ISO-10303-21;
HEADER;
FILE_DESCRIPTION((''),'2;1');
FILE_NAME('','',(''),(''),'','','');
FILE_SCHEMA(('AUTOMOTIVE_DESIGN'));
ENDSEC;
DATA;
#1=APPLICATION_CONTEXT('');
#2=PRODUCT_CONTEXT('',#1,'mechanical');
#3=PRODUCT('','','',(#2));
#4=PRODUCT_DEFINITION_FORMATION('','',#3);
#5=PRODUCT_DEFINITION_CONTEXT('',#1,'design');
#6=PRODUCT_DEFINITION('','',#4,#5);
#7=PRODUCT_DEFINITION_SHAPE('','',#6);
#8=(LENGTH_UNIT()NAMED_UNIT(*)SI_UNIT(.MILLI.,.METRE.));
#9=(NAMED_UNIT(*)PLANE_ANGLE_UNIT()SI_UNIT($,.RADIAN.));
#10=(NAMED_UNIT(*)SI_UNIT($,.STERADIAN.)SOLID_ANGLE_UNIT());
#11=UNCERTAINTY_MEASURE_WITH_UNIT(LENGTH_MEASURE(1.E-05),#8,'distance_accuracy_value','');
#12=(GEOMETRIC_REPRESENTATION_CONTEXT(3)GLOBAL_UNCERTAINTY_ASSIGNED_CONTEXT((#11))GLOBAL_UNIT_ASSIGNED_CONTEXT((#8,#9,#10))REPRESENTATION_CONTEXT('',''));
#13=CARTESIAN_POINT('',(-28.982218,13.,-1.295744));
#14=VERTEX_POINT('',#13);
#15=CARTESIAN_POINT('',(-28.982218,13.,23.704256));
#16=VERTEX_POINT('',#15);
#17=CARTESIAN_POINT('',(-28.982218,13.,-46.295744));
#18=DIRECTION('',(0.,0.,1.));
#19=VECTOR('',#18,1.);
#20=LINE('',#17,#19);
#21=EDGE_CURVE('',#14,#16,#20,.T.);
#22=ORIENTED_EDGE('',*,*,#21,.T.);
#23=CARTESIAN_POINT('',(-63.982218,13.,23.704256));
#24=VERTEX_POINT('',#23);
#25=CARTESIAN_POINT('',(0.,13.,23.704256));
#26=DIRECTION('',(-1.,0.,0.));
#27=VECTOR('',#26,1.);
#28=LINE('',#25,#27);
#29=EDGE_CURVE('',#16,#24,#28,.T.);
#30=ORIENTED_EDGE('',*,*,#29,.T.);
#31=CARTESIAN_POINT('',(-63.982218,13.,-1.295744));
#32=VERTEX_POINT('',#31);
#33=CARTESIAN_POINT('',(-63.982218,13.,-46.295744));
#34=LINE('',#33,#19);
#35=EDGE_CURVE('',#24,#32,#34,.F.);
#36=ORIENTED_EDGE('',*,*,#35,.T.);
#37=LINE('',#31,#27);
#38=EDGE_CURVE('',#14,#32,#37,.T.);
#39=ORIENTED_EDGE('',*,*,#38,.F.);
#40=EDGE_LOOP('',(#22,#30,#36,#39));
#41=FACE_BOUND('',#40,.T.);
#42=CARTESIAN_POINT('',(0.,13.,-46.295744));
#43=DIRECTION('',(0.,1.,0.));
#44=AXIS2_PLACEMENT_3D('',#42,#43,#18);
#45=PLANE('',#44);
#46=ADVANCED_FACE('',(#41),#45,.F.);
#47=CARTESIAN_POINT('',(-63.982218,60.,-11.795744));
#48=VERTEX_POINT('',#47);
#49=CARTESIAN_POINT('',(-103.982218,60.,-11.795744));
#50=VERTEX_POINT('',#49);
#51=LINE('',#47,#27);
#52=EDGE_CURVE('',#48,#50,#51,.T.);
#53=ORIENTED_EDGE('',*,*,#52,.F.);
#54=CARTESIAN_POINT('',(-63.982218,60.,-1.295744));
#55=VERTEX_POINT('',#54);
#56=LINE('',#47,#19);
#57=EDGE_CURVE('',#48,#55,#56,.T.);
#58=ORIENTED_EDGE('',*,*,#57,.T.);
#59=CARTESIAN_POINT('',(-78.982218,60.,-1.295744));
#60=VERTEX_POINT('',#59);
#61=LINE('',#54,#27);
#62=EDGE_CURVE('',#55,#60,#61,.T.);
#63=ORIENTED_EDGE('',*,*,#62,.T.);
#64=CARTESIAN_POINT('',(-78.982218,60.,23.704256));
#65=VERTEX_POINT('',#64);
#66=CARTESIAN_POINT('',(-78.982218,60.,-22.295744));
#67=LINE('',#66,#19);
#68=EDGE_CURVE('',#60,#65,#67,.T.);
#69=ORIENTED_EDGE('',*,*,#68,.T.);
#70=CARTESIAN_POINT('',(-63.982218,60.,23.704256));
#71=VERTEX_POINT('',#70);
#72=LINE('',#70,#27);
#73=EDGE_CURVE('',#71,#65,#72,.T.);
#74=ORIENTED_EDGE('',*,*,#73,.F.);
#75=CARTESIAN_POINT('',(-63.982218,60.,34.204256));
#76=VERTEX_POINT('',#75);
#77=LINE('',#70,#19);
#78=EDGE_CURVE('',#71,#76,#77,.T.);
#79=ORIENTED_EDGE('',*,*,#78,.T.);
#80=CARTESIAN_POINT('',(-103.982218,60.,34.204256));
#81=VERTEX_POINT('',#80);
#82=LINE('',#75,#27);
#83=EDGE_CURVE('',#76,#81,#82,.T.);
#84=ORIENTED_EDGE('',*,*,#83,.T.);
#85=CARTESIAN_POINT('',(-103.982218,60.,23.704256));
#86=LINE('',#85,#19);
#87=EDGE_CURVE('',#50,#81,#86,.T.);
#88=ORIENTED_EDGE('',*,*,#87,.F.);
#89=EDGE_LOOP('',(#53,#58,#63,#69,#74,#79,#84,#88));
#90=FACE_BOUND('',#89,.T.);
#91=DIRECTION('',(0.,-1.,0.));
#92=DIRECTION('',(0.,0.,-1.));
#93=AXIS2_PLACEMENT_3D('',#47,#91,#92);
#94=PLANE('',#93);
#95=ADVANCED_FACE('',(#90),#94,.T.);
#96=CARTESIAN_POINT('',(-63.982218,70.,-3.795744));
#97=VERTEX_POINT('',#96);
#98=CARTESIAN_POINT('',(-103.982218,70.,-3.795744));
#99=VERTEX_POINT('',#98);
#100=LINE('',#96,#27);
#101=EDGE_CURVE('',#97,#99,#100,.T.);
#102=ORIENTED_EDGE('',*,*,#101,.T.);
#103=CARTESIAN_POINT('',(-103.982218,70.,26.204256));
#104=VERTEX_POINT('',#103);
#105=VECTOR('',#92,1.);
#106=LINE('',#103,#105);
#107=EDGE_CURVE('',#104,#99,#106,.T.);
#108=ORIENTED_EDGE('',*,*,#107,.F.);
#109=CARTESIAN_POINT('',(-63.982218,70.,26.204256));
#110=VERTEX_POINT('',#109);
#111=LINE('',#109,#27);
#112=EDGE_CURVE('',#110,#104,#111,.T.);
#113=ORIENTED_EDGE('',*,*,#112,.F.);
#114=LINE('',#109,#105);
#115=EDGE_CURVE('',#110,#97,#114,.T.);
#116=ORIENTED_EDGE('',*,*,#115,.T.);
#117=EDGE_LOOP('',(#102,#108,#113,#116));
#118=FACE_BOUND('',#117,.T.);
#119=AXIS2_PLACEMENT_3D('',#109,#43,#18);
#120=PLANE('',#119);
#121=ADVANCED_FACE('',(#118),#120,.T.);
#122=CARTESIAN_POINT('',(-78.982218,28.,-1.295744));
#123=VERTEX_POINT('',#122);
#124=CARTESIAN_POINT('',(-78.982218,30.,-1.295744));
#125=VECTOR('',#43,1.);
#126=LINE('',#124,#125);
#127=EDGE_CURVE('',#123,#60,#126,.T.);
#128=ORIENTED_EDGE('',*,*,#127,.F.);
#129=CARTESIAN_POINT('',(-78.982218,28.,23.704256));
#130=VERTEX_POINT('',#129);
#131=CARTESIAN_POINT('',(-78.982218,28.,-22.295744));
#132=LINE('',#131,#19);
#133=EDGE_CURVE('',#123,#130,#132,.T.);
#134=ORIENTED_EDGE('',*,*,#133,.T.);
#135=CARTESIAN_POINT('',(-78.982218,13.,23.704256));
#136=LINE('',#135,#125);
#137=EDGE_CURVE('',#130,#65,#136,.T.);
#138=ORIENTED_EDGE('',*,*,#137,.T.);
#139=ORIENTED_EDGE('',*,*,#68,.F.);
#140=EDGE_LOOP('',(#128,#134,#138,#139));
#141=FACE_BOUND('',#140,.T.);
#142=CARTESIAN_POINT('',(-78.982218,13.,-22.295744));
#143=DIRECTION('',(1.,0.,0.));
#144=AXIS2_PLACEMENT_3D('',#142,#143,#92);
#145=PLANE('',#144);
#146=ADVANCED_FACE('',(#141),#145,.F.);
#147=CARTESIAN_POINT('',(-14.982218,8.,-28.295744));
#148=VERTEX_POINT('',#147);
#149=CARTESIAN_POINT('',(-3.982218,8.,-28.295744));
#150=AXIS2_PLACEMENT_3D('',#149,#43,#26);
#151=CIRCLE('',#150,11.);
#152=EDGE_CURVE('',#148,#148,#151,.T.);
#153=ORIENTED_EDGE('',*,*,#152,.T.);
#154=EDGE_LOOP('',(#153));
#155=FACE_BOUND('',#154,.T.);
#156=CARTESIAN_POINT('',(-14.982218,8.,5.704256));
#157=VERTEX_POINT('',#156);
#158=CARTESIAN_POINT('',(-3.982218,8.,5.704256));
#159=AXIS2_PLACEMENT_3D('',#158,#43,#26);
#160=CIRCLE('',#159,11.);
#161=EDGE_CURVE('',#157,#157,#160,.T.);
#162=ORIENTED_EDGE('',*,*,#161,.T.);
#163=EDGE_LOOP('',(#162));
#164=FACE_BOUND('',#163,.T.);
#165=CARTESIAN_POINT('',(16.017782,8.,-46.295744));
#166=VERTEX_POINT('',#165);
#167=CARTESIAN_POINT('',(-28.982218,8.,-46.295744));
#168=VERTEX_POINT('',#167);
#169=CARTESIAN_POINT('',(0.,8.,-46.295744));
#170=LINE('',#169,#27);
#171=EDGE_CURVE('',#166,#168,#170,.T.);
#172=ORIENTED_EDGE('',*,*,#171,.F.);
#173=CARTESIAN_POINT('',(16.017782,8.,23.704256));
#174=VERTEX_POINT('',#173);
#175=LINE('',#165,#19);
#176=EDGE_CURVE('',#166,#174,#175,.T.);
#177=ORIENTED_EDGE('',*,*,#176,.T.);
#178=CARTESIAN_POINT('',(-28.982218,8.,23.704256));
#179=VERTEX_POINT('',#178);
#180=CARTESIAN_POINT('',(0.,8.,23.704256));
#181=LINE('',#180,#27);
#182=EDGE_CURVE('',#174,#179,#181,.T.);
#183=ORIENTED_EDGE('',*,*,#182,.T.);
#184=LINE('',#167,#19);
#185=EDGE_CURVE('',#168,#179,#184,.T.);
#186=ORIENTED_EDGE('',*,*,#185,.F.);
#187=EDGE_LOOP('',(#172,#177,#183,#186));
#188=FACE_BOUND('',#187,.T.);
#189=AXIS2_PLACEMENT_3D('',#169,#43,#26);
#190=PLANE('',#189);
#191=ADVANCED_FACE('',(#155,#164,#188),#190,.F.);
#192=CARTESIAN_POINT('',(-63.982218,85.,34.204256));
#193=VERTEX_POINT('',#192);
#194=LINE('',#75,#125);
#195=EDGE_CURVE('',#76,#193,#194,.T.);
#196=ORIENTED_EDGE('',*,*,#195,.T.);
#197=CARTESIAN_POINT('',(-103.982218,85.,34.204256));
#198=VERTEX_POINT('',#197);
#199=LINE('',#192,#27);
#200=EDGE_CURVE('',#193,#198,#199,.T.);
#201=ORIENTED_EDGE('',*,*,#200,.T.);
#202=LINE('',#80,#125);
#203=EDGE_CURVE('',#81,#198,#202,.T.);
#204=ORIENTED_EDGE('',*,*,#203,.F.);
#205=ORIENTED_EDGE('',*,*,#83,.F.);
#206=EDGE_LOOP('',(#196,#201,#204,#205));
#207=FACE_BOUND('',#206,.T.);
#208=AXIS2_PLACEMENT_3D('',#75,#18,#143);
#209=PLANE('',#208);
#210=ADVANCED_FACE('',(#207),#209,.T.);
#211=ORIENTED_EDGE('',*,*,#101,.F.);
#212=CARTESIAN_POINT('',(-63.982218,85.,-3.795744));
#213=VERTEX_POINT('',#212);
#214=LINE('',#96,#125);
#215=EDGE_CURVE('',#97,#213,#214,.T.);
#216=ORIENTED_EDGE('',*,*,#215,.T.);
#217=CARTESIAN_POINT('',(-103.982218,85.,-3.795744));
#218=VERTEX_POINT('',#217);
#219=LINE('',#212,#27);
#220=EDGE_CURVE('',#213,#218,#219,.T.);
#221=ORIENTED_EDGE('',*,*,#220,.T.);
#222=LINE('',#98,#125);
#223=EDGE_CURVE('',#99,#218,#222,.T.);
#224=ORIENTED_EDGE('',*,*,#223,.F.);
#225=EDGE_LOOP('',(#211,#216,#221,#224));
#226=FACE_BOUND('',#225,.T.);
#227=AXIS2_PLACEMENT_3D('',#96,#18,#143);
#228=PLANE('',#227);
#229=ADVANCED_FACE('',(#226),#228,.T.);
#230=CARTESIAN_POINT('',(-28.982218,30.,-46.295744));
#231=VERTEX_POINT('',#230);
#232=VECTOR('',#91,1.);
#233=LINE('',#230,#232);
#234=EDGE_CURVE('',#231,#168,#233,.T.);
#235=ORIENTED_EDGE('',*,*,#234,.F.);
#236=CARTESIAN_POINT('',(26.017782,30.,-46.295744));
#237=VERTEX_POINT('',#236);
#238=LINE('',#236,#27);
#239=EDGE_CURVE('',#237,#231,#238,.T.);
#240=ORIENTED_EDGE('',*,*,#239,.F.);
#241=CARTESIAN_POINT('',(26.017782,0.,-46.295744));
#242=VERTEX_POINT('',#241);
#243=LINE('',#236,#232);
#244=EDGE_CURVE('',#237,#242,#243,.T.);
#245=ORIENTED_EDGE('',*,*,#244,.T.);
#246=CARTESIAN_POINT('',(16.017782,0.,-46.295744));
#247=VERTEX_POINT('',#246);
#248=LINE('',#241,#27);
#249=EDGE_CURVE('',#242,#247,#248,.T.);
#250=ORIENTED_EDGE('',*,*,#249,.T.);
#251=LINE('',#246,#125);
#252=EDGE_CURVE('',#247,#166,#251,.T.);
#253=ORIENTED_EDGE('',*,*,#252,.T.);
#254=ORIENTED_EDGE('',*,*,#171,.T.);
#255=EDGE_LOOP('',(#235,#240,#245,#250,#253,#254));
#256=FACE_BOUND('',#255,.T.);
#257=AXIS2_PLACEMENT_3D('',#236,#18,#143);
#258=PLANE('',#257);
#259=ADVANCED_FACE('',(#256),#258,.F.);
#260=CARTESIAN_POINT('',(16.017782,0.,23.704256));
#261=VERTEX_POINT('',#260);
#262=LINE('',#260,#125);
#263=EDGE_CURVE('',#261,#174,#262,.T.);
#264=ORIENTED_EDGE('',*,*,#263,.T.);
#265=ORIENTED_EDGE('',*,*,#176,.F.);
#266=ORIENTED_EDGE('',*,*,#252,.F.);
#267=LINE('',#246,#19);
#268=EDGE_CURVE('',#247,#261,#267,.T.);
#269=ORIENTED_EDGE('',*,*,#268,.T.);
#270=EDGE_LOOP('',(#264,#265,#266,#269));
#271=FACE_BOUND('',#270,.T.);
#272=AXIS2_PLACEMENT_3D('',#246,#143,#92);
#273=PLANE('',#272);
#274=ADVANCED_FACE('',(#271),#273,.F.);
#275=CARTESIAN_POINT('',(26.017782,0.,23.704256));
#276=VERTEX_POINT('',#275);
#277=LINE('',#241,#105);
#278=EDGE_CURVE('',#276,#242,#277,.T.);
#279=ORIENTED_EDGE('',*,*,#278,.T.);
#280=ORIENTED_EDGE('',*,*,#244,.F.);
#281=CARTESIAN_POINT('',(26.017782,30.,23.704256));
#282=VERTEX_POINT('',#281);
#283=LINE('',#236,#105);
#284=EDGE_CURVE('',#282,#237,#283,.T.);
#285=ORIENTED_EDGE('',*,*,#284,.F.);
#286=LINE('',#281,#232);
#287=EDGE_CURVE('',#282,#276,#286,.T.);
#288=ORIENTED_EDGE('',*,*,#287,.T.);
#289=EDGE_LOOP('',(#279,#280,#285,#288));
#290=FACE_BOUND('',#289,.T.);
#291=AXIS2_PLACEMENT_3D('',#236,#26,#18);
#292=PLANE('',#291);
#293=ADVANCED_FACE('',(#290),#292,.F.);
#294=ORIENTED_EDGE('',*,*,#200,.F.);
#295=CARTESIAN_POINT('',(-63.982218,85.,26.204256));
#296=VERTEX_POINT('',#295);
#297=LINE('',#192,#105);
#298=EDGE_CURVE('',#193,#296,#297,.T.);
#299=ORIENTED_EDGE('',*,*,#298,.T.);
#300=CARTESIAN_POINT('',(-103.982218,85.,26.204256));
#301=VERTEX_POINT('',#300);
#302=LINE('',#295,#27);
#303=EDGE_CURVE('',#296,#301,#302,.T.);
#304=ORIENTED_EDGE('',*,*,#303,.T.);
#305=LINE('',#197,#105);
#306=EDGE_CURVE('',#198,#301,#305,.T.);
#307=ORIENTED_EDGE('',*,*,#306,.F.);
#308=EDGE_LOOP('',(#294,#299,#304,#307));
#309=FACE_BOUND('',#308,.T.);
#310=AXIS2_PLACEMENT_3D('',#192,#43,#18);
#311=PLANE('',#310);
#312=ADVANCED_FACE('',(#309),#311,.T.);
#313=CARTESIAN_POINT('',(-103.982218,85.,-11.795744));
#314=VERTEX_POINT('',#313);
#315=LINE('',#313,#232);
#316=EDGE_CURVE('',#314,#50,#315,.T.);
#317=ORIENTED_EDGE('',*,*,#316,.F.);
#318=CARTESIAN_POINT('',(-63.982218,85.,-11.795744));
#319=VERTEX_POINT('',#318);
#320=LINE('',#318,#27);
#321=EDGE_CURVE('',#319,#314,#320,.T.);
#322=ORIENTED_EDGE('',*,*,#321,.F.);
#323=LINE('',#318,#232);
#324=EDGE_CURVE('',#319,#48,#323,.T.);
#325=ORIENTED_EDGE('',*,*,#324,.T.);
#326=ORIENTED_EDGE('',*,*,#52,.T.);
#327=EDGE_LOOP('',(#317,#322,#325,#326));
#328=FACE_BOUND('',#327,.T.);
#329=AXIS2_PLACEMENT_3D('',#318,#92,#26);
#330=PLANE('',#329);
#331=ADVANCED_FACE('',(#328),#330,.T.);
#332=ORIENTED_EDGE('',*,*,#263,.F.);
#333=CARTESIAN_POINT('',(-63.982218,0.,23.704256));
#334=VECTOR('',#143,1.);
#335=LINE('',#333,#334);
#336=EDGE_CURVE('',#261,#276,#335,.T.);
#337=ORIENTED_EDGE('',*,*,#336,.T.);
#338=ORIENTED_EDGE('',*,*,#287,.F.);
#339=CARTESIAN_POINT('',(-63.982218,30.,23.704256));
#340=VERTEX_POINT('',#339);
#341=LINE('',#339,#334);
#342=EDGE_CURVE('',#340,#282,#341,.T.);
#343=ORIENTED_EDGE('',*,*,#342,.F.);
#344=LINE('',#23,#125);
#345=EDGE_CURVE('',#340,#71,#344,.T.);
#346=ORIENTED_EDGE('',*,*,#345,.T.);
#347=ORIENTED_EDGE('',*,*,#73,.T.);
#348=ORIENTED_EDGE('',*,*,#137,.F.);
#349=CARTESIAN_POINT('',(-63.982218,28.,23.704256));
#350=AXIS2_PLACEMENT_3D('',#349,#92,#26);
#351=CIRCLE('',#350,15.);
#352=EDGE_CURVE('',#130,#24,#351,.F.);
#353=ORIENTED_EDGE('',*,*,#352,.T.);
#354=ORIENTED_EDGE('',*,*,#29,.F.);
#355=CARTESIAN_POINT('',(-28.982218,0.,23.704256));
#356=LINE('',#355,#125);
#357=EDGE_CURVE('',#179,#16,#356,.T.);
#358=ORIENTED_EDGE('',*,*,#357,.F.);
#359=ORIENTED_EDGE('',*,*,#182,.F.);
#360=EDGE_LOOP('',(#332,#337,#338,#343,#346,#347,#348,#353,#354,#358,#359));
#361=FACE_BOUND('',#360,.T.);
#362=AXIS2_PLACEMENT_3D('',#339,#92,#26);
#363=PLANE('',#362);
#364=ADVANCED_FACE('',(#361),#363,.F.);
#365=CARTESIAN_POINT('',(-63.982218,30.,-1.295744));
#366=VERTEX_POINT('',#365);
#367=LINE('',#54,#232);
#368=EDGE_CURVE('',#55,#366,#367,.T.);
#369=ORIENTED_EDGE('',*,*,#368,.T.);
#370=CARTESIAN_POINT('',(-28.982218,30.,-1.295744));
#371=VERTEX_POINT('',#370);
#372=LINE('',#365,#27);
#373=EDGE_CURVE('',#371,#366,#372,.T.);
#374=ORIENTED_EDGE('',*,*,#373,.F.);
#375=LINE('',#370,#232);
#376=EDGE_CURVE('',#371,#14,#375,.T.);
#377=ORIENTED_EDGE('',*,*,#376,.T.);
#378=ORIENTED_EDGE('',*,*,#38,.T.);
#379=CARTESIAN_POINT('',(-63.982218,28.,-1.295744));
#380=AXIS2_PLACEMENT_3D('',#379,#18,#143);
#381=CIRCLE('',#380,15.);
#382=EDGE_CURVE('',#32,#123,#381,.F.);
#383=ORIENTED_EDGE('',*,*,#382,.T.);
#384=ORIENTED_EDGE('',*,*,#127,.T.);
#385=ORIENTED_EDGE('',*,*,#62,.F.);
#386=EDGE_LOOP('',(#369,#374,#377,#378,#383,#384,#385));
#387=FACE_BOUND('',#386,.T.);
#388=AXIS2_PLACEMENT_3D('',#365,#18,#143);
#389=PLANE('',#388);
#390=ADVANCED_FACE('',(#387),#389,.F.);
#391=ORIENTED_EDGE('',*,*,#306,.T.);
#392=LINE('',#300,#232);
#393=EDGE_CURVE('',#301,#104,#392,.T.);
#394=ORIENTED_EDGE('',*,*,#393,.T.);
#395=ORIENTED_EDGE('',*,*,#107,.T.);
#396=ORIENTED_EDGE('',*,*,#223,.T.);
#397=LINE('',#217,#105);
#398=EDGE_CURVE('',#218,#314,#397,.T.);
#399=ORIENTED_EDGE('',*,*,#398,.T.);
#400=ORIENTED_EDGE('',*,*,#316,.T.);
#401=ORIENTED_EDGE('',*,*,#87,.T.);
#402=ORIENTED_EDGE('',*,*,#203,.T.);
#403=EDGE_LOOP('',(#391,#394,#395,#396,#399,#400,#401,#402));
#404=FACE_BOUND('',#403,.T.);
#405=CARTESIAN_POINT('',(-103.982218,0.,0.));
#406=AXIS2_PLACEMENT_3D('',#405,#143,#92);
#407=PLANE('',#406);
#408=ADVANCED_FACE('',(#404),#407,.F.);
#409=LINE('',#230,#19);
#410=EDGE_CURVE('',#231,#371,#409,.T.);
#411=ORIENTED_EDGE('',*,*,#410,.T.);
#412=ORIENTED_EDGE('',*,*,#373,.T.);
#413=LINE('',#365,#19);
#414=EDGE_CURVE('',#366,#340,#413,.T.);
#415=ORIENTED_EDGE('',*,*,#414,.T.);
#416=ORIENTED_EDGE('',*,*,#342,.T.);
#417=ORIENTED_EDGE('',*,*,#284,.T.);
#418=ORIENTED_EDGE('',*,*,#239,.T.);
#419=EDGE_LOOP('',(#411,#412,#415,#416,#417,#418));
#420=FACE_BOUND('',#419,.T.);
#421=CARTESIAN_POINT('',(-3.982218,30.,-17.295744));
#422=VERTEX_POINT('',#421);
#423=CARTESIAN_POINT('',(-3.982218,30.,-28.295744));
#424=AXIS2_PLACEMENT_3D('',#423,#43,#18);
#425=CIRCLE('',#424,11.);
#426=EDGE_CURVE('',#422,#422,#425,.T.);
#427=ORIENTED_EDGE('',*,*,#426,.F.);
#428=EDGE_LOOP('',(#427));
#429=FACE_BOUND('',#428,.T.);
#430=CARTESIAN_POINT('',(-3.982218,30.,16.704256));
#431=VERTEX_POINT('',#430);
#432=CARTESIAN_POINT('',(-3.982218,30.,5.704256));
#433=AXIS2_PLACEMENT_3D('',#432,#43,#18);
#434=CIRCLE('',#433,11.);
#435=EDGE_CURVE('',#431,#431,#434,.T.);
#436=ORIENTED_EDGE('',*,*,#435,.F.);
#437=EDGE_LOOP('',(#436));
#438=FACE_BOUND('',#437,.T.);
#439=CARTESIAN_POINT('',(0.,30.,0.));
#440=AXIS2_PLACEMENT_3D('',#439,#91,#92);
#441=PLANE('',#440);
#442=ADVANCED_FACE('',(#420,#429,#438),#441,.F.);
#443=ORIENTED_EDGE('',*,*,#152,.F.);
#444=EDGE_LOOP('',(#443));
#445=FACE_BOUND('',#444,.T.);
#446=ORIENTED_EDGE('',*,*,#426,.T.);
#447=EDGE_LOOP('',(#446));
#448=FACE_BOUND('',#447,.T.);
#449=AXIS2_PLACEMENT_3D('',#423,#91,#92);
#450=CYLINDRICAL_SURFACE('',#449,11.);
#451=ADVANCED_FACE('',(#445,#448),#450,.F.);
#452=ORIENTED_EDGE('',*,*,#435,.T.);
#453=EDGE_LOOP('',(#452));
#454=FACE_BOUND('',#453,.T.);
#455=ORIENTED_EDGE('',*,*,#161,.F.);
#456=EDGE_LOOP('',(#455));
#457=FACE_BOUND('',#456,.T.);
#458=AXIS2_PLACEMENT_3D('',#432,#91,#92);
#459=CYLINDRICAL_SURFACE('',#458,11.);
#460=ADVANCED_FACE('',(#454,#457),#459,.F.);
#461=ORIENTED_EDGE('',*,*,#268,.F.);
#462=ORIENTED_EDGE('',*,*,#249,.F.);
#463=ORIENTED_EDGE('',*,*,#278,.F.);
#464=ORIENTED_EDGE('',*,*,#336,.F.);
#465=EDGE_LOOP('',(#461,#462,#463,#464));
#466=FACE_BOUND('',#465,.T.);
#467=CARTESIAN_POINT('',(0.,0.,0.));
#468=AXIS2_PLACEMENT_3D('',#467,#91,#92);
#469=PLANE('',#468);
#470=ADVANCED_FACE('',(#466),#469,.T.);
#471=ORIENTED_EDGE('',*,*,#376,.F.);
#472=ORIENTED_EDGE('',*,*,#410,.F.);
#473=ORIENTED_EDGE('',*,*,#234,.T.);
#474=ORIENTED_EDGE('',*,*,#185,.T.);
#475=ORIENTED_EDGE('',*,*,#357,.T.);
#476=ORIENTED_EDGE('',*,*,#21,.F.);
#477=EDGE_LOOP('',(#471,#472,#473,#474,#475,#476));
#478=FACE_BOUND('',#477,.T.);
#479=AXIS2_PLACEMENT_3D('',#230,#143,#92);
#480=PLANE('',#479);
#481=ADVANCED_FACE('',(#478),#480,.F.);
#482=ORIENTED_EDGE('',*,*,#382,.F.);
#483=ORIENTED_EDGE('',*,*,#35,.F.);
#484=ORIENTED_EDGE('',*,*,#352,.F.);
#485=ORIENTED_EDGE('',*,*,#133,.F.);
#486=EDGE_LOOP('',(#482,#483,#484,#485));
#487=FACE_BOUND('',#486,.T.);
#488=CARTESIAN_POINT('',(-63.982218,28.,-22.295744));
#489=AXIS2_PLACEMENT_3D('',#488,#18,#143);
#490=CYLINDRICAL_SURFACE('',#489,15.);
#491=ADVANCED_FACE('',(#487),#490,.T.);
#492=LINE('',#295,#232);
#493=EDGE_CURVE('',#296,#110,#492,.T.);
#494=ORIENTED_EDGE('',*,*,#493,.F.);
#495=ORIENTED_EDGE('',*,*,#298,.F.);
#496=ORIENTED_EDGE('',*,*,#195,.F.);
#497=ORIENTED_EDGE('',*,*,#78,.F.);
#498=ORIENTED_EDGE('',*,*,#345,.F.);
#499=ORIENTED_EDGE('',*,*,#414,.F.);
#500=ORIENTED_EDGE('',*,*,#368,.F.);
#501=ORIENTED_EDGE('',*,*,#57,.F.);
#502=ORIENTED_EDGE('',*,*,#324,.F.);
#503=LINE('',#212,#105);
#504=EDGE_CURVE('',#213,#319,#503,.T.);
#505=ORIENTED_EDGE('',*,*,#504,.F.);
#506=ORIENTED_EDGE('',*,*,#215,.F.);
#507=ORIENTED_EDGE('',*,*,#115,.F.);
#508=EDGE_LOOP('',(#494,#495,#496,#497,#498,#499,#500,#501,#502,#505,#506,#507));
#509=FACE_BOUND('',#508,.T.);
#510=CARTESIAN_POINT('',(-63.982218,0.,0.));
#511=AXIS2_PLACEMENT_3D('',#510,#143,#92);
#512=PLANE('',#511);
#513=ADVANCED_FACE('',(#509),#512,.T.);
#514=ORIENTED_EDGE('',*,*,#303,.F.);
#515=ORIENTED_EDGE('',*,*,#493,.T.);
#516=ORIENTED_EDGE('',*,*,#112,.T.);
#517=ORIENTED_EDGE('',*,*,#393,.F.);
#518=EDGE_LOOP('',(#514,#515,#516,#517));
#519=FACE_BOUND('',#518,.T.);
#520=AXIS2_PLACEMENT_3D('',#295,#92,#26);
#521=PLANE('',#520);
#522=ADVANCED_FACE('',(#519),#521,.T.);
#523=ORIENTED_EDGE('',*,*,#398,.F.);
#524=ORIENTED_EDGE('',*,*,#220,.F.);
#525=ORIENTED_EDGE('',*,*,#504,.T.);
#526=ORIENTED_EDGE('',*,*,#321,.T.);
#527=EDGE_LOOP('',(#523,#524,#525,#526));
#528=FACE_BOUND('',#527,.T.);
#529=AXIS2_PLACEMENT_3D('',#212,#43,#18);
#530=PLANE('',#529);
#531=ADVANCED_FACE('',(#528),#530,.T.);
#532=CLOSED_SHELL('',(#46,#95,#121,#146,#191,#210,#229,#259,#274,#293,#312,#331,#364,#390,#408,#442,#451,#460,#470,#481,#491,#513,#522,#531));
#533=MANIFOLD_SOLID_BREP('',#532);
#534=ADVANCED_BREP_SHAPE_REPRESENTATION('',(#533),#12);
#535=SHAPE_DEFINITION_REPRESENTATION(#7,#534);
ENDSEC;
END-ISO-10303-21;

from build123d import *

# Parameters (mm, degrees)
SKETCH2_R           = 11
BOSS_EXTRUDE1_DEPTH = 30
CUT_EXTRUDE1_DEPTH  = 70
BOSS_EXTRUDE3_DEPTH = 40
CUT_EXTRUDE2_DEPTH  = 46
FILLET1_R           = 15


with BuildPart() as part:
    # Sketch2 → Boss-Extrude1 (new body)
    with BuildSketch(Plane(origin=(0, 0, 0), x_dir=(1, 0, 0), z_dir=(0, 1, 0))):
        Polygon((-63.982218383188474, 1.2957443941801692), (-63.98221838318849, -23.70425560581983), (26.017781616811508, -23.70425560581983), (26.017781616811508, 46.295744394180176), (-28.982218383188492, 46.29574439418017), (-28.982218383188492, 1.2957443941801692), align=None)
        with Locations(Location((-3.9822183831884903, -5.704255605819837, 0), (0, 0, 270))):
            Circle(SKETCH2_R, mode=Mode.SUBTRACT)
        with Locations(Location((-3.9822183831884903, 28.295744394180172, 0), (0, 0, 270))):
            Circle(SKETCH2_R, mode=Mode.SUBTRACT)
    extrude(amount=BOSS_EXTRUDE1_DEPTH)

    # Sketch3 → Cut-Extrude1 (cut)
    with BuildSketch(Plane.XY.offset(23.70425560581983)):
        Polygon((-63.98221838318849, 0), (16.01778161681151, 0), (16.017781616811508, 8), (-28.982218383188492, 7.999999999999995), (-28.982218383188492, 12.999999999999995), (-63.982218383188496, 12.999999999999995), align=None)
    extrude(amount=-CUT_EXTRUDE1_DEPTH, mode=Mode.SUBTRACT)

    # 3DSketch1 → Boss-Extrude3 (add)
    with BuildSketch(Plane(origin=(-63.98221838318849, 12.999999999999995, -1.2957443941801692), x_dir=(0, 0.8969047134125312, 0.4422238517520119), z_dir=(-1, 0, 0))):
        Polygon((0, 0), (11.055596293800297, -22.422617835313282), (53.21011782418927, -1.6380968029687248), (57.85346826758539, -11.055596293800305), (80.27608610289867, 0), (76.73829528888258, 7.1752377073002505), (63.28472458769462, 0.5418799310200721), (50.018009035134256, 27.449021333396008), (63.47157973632223, 34.08237910967619), (59.93378892230613, 41.25761681697644), (37.511171086992846, 30.20202052317613), (42.15452153038897, 20.784521032344557), align=None)
    extrude(amount=BOSS_EXTRUDE3_DEPTH)

    # Sketch4 → Cut-Extrude2 (cut)
    with BuildSketch(Plane.XY.offset(23.70425560581983)):
        Polygon((-103.9822183831885, 12.999999999999993), (-78.9822183831885, 13), (-78.9822183831885, 60), (-103.9822183831885, 60), align=None)
    extrude(amount=-CUT_EXTRUDE2_DEPTH, mode=Mode.SUBTRACT)

    # Fillet1
    fillet1_edges = [part.edges().sort_by_distance(p)[0] for p in [
        (-78.9822183831885, 13, 11.204255605819831),
    ]]
    fillet(fillet1_edges, radius=FILLET1_R)


solid = part.part
